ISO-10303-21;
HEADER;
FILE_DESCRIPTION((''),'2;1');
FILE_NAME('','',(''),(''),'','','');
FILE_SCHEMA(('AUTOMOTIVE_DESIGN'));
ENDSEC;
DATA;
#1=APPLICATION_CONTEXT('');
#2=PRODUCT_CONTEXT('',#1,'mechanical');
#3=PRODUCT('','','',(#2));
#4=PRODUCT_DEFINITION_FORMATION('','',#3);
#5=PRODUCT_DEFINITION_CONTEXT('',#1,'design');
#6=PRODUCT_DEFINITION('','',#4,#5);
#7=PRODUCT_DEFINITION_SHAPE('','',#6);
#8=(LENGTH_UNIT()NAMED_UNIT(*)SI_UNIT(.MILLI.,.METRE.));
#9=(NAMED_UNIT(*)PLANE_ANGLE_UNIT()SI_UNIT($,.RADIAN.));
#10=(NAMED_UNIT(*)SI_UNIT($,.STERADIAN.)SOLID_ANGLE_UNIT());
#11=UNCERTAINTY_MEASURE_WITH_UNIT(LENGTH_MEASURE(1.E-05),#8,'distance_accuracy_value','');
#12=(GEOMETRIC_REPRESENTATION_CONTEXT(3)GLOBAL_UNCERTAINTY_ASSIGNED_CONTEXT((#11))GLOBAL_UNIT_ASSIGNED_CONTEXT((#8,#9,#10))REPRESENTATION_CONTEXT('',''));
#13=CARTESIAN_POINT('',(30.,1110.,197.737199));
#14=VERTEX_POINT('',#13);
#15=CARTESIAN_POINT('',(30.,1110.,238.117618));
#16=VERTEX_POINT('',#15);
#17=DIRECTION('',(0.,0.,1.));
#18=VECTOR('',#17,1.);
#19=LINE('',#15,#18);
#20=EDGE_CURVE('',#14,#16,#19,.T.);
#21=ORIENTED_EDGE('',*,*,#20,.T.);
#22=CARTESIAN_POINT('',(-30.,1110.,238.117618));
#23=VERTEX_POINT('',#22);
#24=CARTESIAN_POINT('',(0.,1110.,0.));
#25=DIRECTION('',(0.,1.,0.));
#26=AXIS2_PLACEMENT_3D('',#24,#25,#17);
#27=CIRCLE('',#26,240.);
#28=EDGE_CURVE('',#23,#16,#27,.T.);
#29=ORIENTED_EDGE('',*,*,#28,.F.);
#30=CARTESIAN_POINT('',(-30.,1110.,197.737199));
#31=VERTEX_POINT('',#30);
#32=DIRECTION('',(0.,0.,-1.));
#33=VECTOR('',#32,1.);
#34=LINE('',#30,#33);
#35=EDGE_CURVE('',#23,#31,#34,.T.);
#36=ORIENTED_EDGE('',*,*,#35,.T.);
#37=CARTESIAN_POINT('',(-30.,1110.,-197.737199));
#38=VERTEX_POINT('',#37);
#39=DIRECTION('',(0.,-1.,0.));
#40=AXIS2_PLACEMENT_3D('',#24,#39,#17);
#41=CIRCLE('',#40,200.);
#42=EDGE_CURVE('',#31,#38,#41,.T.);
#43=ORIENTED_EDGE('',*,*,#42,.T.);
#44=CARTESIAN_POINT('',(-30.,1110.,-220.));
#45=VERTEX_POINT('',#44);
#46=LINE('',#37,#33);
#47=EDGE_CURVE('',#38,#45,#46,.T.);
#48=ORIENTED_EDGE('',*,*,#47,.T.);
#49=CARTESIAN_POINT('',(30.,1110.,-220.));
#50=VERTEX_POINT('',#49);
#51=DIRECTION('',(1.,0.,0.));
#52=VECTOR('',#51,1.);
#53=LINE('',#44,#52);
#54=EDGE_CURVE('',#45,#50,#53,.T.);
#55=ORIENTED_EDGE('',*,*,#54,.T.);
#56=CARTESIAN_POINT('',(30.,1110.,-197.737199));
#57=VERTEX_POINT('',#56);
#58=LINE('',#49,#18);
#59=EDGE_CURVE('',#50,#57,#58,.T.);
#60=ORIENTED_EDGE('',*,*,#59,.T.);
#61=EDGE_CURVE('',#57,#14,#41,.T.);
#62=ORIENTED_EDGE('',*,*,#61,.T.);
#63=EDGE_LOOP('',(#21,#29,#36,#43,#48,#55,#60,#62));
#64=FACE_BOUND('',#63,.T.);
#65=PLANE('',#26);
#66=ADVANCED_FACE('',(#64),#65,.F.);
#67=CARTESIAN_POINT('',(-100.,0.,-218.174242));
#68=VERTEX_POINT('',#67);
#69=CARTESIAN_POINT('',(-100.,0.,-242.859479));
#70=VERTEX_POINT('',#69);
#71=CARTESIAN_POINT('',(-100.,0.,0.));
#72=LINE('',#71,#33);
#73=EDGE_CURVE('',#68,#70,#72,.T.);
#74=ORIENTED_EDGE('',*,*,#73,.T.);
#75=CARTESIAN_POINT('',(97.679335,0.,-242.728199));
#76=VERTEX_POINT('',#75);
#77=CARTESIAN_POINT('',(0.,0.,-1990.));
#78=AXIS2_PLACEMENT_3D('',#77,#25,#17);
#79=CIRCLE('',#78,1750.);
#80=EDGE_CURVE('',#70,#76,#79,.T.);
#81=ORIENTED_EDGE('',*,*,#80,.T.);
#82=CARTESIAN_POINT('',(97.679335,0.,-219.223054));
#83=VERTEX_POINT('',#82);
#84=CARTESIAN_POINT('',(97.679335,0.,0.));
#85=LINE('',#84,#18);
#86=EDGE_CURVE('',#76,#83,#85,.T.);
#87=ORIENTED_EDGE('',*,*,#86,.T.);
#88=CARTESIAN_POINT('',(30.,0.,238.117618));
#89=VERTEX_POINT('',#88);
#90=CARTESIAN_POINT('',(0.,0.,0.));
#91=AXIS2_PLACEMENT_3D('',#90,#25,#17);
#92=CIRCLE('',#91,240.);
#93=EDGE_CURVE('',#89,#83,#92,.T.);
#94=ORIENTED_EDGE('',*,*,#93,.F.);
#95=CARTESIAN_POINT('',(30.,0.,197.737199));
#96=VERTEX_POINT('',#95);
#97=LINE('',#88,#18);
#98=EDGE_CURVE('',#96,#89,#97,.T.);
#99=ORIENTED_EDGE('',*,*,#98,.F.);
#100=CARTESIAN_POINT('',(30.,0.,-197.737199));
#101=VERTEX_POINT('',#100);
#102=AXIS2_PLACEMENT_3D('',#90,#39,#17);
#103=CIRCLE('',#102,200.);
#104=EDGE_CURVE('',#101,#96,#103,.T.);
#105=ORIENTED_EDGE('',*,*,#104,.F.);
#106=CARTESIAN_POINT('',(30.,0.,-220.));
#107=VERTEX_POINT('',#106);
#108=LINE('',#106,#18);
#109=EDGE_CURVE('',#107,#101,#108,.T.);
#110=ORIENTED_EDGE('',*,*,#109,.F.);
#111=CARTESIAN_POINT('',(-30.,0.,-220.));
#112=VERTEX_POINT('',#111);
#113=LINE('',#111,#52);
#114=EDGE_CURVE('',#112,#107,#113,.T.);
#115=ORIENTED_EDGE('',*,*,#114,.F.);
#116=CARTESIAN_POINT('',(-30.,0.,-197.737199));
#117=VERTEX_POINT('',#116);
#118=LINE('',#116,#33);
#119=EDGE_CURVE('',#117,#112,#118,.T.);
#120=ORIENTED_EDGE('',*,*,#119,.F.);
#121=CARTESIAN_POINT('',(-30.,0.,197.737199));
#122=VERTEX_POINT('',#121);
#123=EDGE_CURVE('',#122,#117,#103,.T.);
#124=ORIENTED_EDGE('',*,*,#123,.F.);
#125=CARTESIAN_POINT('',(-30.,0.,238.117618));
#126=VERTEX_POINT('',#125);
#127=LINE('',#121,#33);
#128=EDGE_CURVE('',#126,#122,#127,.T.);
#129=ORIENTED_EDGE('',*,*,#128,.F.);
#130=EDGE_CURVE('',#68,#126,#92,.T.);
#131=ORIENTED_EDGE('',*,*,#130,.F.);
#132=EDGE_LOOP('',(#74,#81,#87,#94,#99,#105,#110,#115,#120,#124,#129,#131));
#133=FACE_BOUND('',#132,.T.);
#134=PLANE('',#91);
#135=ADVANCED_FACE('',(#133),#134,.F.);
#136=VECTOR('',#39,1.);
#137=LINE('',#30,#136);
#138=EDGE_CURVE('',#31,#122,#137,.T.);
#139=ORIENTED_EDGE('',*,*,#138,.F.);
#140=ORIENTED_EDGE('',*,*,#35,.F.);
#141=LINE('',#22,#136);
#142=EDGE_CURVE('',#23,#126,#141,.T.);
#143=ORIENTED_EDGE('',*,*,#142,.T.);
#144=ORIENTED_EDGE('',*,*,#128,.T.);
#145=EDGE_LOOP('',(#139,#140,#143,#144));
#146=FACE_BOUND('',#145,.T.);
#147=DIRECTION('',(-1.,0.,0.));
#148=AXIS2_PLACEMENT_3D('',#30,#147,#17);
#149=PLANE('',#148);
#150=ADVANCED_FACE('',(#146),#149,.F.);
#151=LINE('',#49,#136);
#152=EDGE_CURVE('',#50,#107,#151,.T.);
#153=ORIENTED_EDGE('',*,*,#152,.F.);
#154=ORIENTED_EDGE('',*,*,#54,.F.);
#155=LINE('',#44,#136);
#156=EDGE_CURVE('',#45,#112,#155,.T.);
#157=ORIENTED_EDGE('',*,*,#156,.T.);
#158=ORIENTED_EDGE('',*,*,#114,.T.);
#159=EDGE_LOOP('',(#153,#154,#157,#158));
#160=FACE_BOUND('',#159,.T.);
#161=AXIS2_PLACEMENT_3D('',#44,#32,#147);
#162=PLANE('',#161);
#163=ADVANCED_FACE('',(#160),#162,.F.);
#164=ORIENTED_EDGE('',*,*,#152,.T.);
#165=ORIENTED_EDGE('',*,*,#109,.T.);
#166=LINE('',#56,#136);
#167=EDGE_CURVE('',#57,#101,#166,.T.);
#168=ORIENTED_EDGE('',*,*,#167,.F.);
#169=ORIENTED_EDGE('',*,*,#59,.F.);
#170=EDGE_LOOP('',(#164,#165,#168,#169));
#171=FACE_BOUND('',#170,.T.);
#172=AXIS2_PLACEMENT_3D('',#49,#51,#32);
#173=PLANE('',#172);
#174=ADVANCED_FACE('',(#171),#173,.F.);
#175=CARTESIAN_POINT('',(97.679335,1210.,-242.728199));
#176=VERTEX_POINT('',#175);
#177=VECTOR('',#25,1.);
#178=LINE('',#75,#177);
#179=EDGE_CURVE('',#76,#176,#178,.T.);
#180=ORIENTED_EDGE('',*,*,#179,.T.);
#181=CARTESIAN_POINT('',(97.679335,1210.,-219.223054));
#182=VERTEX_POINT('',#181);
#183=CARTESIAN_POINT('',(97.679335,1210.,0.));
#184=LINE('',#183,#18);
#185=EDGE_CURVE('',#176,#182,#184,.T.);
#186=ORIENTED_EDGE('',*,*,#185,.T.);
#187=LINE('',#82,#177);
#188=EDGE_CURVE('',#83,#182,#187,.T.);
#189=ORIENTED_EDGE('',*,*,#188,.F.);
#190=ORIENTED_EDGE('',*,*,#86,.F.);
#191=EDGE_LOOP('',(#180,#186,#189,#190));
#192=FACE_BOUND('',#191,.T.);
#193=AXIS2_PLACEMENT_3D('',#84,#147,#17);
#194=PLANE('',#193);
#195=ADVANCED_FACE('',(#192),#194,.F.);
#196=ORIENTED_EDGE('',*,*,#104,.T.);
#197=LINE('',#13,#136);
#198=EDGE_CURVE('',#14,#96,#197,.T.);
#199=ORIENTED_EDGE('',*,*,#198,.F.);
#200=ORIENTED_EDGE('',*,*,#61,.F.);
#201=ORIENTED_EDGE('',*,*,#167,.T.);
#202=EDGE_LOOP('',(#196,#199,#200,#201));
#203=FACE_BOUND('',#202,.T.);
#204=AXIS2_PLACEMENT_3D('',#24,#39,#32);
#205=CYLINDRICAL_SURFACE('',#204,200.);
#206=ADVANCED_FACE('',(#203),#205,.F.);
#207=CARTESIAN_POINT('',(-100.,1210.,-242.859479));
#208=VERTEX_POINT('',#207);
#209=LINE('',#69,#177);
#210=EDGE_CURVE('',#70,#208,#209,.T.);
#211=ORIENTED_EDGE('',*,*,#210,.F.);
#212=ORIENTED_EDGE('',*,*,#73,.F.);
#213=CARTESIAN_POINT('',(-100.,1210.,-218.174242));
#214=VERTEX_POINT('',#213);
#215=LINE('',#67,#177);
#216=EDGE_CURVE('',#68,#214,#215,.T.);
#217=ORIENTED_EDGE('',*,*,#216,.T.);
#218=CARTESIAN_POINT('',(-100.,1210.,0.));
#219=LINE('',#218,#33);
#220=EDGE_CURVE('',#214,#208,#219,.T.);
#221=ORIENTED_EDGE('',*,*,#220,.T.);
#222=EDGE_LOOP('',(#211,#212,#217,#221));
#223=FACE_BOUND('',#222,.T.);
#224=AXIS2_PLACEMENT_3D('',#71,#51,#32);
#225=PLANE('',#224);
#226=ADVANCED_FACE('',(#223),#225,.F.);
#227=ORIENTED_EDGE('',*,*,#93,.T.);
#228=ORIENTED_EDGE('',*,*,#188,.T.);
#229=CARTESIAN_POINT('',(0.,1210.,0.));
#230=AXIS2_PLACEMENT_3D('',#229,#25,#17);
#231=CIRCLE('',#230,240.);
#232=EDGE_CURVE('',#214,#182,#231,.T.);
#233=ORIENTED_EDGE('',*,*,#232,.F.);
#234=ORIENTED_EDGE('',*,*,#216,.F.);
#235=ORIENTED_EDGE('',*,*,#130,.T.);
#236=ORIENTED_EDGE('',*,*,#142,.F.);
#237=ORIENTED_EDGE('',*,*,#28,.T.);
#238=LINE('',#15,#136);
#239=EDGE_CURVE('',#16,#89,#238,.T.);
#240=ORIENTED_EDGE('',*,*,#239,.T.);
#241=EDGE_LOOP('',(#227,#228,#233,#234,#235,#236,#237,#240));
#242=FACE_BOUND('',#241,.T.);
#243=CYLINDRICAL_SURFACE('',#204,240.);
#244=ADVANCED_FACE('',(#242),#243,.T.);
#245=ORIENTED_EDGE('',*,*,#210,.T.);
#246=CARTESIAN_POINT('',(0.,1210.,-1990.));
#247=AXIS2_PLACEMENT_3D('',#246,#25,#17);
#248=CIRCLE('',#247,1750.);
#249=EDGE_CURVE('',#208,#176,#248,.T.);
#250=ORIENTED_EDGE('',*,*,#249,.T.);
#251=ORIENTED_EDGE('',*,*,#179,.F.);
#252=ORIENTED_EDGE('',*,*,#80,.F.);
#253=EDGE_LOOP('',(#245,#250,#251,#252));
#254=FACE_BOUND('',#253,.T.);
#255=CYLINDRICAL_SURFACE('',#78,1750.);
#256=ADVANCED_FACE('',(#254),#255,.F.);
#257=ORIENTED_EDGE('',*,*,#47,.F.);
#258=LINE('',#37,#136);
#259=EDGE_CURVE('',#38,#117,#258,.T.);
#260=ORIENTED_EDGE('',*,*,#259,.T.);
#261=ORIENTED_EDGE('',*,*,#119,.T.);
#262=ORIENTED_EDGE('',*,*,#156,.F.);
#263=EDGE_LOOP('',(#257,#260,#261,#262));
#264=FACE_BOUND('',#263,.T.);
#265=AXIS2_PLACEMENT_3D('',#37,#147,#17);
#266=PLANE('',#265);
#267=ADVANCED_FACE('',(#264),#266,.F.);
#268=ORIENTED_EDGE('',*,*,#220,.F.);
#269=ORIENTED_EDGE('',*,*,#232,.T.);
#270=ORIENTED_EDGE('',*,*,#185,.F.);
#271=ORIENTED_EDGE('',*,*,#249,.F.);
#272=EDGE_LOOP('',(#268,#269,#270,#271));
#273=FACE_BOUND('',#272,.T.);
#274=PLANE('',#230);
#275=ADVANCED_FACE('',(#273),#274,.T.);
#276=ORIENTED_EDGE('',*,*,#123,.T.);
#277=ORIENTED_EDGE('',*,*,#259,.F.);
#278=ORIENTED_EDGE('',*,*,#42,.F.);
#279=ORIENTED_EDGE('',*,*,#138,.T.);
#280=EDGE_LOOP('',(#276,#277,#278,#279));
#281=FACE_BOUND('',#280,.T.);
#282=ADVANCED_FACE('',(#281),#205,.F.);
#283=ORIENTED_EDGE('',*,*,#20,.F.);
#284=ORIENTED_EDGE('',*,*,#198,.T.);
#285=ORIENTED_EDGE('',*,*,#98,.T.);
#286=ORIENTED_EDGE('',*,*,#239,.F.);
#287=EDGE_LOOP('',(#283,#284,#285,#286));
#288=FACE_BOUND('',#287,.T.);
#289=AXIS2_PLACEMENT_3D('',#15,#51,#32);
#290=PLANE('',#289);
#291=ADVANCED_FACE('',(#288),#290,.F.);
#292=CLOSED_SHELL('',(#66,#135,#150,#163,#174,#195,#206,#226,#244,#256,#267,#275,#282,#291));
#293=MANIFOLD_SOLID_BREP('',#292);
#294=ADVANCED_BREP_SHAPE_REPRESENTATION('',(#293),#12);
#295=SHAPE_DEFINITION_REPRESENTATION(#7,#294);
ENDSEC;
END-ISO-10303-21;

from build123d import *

# Parameters (mm, degrees)
BOSS_EXTRUDE1_DEPTH = 1110
SKETCH2_R           = 240
BOSS_EXTRUDE2_DEPTH = 100
BOSS_EXTRUDE3_DEPTH = 1210


with BuildPart() as part:
    # Sketch1 → Boss-Extrude1 (new body)
    with BuildSketch(Plane(origin=(0, 0, 0), x_dir=(1, 0, 0), z_dir=(0, 1, 0))):
        with BuildLine():
            Line((-30, -197.737199333), (-30, -238.117617996))
            ThreePointArc((-30, -238.117617996), (0, 240), (30, -238.117617996))
            Line((30, -238.117617996), (30, -197.737199333))
            ThreePointArc((30, -197.737199333), (200, 0), (30, 197.737199333))
            Line((30, 197.737199333), (30, 220))
            Line((30, 220), (-30, 220))
            Line((-30, 220), (-30, 197.737199333))
            ThreePointArc((-30, 197.737199333), (-200, 0), (-30, -197.737199333))
        make_face()
    extrude(amount=BOSS_EXTRUDE1_DEPTH)

    # Sketch2 → Boss-Extrude2 (add)
    with BuildSketch(Plane(origin=(0, 1110, 0), x_dir=(1, 0, 0), z_dir=(0, 1, 0))):
        with Locations(Location((0, 0, 0), (0, 0, 262.819244219))):
            Circle(SKETCH2_R)
    extrude(amount=BOSS_EXTRUDE2_DEPTH)

    # Sketch3 → Boss-Extrude3 (add, through all)
    with BuildSketch(Plane(origin=(0, 1210, 0), x_dir=(1, 0, 0), z_dir=(0, 1, 0))):
        with BuildLine():
            Line((-100, 242.859479034), (-100, 240))
            Line((-100, 240), (-100, 218.174242293))
            ThreePointArc((-100, 218.174242293), (-51.177054673, 234.48008247), (-3e-09, 240))
            ThreePointArc((-3e-09, 240), (-50.020437376, 240.715015829), (-100, 242.859479034))
        make_face()
        with BuildLine():
            ThreePointArc((97.679334818, 242.72819872), (48.858713445, 240.682182644), (-3e-09, 240))
            ThreePointArc((-3e-09, 240), (49.932288955, 234.748304615), (97.679334818, 219.223054329))
            Line((97.679334818, 219.223054329), (97.679334818, 242.72819872))
        make_face()
    extrude(amount=-BOSS_EXTRUDE3_DEPTH)


solid = part.part
